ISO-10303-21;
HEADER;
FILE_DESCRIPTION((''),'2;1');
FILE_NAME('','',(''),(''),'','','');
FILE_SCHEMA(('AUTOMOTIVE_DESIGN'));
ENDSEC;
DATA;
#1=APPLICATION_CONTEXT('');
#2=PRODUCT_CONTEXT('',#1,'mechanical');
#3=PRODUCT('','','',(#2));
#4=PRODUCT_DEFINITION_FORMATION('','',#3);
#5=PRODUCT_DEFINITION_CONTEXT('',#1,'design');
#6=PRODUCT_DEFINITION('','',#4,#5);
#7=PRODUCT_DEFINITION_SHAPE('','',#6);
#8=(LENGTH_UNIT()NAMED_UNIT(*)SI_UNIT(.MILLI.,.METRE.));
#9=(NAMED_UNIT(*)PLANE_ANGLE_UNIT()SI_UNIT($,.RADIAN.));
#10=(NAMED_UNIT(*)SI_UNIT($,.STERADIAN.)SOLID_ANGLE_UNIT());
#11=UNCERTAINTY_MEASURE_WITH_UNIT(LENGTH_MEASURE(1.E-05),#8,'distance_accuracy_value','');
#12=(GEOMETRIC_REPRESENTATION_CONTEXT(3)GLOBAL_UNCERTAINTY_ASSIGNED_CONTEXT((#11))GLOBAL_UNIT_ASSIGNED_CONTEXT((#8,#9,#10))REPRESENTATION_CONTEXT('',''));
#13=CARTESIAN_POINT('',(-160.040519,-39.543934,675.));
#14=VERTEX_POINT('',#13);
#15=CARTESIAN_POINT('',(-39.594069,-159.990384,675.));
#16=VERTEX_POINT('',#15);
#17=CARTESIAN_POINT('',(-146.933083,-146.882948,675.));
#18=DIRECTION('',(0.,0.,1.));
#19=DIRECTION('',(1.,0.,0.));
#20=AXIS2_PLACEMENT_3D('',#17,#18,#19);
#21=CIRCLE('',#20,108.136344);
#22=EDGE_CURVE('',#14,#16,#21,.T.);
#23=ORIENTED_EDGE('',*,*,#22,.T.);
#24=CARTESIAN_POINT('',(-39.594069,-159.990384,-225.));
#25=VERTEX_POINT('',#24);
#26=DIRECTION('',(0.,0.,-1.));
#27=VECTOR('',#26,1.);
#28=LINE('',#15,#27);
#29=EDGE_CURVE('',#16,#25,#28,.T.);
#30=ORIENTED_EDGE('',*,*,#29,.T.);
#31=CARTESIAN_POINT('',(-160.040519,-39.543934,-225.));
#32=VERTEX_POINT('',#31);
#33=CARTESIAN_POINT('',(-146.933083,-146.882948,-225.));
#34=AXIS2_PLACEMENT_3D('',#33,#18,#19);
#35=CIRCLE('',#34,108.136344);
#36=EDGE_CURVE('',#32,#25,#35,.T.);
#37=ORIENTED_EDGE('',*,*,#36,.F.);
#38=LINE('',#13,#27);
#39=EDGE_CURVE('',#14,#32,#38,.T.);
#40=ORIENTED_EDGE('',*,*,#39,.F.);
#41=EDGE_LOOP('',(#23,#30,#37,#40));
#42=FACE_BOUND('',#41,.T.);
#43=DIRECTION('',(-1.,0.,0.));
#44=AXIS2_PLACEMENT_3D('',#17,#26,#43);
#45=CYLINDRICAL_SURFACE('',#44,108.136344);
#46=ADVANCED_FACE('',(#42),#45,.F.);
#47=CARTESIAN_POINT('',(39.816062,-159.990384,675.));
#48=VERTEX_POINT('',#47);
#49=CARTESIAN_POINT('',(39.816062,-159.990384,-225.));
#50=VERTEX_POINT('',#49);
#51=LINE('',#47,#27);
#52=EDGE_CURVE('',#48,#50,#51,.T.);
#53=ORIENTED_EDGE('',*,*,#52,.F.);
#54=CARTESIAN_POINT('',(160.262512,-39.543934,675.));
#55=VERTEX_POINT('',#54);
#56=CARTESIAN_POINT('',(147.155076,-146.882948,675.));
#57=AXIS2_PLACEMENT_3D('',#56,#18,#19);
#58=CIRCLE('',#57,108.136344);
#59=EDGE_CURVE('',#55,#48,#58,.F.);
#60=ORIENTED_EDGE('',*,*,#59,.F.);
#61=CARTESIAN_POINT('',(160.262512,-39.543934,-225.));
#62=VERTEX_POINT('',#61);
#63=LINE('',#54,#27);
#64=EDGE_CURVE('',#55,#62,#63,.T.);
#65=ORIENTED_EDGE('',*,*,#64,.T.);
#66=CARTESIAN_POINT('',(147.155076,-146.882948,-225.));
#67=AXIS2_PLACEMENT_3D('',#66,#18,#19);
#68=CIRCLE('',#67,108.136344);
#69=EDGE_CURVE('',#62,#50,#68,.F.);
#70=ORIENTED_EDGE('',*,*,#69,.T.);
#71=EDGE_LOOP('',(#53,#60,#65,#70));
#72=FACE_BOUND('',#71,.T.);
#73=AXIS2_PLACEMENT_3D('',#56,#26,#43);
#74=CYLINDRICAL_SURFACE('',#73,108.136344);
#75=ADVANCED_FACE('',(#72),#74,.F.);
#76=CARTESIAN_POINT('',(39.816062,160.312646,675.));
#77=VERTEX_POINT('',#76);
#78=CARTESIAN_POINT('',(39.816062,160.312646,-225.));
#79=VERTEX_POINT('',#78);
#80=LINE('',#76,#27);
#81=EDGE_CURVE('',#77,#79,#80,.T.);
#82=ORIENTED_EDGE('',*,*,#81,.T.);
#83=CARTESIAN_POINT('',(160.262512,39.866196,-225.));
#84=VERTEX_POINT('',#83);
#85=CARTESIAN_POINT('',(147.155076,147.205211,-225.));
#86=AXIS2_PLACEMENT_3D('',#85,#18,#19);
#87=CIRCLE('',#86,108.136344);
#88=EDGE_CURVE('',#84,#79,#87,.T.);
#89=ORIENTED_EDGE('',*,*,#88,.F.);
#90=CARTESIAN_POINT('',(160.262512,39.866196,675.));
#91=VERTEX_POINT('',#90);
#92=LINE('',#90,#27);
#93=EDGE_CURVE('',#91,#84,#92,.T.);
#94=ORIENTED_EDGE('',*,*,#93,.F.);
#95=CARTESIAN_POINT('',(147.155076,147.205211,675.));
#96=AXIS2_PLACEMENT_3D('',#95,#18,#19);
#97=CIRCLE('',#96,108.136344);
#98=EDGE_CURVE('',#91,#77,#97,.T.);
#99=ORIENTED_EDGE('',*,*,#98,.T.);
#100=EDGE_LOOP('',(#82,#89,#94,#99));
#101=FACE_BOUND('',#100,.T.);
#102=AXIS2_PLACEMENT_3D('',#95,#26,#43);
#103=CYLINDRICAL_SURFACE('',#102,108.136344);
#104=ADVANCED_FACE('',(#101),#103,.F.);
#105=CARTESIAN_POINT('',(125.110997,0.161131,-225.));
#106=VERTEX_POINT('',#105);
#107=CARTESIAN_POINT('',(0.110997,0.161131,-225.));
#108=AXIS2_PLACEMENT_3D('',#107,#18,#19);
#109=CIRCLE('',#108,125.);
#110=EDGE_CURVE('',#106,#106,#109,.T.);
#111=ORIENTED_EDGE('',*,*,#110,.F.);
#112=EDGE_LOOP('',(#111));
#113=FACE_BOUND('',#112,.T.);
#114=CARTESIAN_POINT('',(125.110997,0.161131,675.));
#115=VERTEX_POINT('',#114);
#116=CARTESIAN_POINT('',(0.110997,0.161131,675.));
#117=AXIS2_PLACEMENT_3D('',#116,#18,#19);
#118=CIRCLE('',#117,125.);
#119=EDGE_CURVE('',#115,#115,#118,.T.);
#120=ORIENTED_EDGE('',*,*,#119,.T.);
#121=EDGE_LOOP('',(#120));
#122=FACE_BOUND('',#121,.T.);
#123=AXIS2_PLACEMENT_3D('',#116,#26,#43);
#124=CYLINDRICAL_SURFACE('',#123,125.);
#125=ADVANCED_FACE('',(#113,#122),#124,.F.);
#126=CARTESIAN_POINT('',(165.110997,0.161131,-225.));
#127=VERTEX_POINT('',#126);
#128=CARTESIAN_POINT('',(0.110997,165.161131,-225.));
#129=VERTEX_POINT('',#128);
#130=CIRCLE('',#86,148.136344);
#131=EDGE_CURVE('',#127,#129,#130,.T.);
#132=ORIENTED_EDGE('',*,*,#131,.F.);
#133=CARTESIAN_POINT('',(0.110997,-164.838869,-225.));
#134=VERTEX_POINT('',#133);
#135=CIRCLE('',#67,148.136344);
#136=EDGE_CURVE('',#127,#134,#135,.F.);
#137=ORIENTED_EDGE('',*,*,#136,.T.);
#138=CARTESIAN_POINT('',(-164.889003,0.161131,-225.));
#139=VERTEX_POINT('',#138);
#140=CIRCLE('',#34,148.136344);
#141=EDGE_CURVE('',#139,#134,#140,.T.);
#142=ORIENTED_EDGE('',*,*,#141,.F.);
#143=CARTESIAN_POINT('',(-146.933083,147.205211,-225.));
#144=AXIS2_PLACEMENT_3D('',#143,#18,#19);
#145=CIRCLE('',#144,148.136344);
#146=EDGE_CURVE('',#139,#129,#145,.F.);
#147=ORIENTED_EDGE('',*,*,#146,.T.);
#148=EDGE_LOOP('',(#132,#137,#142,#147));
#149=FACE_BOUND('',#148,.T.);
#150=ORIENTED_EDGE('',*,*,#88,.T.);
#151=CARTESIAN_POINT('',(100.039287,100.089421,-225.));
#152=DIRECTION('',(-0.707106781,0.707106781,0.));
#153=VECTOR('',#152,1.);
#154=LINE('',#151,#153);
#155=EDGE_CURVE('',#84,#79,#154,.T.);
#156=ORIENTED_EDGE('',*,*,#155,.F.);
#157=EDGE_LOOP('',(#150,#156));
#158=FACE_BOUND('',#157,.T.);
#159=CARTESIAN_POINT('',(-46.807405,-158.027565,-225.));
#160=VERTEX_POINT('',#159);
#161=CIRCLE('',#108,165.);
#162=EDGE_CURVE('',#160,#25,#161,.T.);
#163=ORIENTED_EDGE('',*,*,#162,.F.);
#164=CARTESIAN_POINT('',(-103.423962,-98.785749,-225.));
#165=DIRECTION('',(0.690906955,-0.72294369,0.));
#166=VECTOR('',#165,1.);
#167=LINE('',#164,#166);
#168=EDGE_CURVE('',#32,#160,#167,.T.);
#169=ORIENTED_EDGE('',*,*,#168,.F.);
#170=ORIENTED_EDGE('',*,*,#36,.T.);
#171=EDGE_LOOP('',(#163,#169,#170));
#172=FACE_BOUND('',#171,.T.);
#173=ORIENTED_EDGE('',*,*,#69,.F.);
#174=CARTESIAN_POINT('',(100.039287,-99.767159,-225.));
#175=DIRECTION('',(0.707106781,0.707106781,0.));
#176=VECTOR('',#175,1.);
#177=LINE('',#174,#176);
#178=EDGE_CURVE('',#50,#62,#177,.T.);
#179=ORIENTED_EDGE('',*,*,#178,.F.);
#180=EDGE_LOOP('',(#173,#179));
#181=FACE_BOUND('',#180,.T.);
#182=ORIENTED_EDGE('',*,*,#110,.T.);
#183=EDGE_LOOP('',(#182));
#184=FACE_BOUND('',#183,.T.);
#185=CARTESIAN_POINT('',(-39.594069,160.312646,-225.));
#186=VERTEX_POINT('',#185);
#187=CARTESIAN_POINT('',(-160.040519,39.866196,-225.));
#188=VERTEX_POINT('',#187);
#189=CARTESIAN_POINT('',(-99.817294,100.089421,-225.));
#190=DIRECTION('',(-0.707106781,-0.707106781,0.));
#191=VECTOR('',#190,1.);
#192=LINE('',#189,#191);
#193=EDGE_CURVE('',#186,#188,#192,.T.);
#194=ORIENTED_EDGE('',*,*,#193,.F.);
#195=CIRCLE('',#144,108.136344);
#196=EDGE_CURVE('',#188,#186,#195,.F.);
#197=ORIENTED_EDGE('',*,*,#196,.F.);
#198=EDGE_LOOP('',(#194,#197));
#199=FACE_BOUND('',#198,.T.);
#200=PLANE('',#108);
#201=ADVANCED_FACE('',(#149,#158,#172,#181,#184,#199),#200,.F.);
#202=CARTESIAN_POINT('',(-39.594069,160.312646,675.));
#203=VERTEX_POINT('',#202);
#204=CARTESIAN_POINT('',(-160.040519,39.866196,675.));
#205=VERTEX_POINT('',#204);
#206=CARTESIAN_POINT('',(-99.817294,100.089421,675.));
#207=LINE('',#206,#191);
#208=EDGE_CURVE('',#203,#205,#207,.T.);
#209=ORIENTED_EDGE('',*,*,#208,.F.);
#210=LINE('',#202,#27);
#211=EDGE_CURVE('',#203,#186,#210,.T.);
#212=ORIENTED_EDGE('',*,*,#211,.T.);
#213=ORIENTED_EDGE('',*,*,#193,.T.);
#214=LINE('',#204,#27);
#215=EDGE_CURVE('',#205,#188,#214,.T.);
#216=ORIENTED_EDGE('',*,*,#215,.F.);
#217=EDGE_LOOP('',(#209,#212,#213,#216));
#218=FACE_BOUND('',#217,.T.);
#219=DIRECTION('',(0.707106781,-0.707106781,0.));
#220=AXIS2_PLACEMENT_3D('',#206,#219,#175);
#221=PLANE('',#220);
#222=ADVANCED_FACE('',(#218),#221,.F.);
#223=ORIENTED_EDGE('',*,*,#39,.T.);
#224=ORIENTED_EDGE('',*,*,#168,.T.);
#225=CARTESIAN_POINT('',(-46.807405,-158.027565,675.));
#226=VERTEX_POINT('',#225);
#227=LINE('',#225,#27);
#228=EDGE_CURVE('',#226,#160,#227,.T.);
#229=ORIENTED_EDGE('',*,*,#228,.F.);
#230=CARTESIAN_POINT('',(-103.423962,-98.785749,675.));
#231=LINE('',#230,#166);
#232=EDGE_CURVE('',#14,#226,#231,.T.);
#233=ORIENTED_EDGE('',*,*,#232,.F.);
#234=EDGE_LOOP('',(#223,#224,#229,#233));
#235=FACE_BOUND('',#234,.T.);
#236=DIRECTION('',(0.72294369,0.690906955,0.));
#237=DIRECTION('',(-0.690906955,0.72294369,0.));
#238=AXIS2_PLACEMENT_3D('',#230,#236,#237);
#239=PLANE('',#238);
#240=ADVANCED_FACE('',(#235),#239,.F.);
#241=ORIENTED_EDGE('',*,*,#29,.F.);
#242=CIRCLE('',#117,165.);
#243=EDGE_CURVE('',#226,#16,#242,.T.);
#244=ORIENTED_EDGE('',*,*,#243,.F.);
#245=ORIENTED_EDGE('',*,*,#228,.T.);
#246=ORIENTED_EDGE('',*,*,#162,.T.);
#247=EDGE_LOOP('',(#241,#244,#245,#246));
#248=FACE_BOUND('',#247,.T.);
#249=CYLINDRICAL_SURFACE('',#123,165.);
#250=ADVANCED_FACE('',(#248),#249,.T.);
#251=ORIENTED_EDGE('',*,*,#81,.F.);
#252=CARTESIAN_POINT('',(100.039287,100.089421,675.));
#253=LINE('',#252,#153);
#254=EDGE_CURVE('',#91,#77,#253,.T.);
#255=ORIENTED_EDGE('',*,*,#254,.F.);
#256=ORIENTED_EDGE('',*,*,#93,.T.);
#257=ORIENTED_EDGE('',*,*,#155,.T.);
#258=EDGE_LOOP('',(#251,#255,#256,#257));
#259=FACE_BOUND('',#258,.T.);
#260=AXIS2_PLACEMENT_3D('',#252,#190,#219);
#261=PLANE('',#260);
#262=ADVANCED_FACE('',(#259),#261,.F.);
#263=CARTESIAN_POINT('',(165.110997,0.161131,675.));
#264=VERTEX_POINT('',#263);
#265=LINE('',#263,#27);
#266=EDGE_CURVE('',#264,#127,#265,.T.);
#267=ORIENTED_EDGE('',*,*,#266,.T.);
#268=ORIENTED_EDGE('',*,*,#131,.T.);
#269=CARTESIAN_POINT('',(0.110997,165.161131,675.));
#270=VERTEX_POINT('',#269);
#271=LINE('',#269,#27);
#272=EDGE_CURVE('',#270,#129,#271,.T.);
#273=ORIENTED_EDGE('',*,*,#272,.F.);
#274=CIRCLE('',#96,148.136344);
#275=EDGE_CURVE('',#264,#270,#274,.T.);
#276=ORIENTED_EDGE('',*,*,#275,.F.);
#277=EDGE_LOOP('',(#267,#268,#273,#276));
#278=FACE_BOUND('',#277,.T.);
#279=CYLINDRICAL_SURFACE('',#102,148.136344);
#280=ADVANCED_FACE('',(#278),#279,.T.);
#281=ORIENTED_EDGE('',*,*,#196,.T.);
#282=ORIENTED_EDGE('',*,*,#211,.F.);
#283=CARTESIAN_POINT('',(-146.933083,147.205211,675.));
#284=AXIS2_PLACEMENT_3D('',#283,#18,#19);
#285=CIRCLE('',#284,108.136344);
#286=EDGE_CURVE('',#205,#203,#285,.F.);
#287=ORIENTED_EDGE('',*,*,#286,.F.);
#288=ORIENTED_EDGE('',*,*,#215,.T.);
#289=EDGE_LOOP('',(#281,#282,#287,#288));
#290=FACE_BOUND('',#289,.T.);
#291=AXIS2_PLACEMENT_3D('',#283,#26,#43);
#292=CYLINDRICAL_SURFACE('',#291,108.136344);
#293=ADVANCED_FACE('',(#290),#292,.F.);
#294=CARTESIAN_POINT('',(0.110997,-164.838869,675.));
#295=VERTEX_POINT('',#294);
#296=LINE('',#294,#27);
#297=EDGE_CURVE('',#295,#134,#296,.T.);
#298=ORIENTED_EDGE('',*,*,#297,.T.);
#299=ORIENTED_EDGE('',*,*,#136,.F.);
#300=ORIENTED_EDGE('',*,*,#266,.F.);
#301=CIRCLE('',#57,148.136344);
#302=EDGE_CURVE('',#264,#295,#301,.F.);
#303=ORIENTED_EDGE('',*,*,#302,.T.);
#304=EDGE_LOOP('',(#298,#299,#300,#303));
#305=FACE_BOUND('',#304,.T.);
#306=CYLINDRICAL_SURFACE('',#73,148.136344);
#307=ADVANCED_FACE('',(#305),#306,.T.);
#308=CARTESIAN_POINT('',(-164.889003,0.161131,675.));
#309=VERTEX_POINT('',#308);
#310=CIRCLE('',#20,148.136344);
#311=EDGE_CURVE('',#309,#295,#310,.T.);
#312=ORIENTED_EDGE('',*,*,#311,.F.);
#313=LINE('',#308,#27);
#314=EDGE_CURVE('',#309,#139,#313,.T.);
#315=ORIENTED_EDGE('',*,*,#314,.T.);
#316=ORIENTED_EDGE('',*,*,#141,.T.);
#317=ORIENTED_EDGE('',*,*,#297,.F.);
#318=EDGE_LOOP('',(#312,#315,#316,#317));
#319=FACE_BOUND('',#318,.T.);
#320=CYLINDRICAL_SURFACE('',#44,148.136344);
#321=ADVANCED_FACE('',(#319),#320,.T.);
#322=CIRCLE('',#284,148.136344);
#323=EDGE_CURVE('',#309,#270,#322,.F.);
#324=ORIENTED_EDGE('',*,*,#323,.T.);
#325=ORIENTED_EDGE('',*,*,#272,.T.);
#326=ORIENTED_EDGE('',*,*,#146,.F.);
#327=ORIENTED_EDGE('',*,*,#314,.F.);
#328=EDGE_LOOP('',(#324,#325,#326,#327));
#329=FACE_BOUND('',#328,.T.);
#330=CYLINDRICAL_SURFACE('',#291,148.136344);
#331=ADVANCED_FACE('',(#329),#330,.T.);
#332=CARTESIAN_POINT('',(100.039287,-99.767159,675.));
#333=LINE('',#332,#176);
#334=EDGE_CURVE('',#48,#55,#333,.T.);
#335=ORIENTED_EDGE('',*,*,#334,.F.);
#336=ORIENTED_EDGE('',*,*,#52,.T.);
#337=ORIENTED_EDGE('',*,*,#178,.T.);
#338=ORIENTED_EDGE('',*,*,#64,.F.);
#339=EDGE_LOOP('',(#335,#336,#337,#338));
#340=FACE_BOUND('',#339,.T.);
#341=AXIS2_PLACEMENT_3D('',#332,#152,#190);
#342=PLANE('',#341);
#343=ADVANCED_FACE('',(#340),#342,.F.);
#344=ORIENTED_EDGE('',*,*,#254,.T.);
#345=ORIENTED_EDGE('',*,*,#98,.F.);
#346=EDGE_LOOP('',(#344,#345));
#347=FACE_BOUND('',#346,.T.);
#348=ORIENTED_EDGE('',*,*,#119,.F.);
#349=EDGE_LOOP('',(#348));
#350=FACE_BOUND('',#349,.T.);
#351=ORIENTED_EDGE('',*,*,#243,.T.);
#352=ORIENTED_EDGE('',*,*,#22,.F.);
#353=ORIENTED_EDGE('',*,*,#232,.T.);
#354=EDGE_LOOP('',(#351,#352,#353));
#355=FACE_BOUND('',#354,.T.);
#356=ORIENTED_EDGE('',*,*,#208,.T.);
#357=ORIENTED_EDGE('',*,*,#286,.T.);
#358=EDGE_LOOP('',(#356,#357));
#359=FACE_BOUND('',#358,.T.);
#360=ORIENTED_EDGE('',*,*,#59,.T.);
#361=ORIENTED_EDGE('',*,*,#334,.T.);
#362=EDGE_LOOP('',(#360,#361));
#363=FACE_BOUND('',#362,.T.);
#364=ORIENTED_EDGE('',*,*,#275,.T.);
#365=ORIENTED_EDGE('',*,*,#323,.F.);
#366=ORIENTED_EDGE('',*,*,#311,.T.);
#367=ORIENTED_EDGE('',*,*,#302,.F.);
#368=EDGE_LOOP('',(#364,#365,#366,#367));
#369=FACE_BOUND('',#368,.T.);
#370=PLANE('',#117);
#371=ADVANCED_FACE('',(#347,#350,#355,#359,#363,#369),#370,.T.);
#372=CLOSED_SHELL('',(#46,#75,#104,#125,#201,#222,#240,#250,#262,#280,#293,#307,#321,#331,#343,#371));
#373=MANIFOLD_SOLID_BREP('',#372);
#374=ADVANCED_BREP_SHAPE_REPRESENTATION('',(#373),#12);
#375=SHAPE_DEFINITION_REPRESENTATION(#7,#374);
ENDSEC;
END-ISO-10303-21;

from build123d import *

# Parameters (mm, degrees)
SKETCH1_R           = 62.5
BOSS_EXTRUDE1_DEPTH = 450
SCALE1_SCALE        = 2


with BuildPart() as part:
    # Sketch1 → Boss-Extrude1 (new body)
    with BuildSketch(Plane.XY):
        with BuildLine():
            ThreePointArc((0, 82.5), (-125.896146437, 125.896146437), (-82.5, 0))
            ThreePointArc((-82.5, 0), (-125.896146437, -125.896146437), (0, -82.5))
            ThreePointArc((0, -82.5), (125.896146437, -125.896146437), (82.5, 0))
            ThreePointArc((82.5, 0), (125.896146437, 125.896146437), (0, 82.5))
        make_face()
        with BuildLine():
            ThreePointArc((-20.204468067, -82.5), (-112.61028354, -110.878115832), (-80.075757576, -19.85253255))
            Line((-80.075757576, -19.85253255), (-23.459201006, -79.094348016))
            ThreePointArc((-23.459201006, -79.094348016), (-21.661425556, -79.605481237), (-19.85253255, -80.075757576))
            ThreePointArc((-19.85253255, -80.075757576), (-20.014769218, -81.289872177), (-20.204468067, -82.5))
        make_face(mode=Mode.SUBTRACT)
        with BuildLine():
            ThreePointArc((80.075757576, -19.85253255), (111.754010814, -111.754010814), (19.85253255, -80.075757576))
            Line((19.85253255, -80.075757576), (80.075757576, -19.85253255))
        make_face(mode=Mode.SUBTRACT)
        Circle(SKETCH1_R, mode=Mode.SUBTRACT)
        with BuildLine():
            ThreePointArc((-80.075757576, 19.85253255), (-111.754010814, 111.754010814), (-19.85253255, 80.075757576))
            Line((-19.85253255, 80.075757576), (-80.075757576, 19.85253255))
        make_face(mode=Mode.SUBTRACT)
        with BuildLine():
            ThreePointArc((19.85253255, 80.075757576), (111.754010814, 111.754010814), (80.075757576, 19.85253255))
            Line((80.075757576, 19.85253255), (19.85253255, 80.075757576))
        make_face(mode=Mode.SUBTRACT)
    extrude(amount=BOSS_EXTRUDE1_DEPTH)


with BuildPart() as part_1:
    # Scale1: scaled about (-0.110996519, -0.161131332, 225)
    add(part.part.scale(SCALE1_SCALE).moved(Location((0.110996519, 0.161131332, -225))))


solid = part_1.part
